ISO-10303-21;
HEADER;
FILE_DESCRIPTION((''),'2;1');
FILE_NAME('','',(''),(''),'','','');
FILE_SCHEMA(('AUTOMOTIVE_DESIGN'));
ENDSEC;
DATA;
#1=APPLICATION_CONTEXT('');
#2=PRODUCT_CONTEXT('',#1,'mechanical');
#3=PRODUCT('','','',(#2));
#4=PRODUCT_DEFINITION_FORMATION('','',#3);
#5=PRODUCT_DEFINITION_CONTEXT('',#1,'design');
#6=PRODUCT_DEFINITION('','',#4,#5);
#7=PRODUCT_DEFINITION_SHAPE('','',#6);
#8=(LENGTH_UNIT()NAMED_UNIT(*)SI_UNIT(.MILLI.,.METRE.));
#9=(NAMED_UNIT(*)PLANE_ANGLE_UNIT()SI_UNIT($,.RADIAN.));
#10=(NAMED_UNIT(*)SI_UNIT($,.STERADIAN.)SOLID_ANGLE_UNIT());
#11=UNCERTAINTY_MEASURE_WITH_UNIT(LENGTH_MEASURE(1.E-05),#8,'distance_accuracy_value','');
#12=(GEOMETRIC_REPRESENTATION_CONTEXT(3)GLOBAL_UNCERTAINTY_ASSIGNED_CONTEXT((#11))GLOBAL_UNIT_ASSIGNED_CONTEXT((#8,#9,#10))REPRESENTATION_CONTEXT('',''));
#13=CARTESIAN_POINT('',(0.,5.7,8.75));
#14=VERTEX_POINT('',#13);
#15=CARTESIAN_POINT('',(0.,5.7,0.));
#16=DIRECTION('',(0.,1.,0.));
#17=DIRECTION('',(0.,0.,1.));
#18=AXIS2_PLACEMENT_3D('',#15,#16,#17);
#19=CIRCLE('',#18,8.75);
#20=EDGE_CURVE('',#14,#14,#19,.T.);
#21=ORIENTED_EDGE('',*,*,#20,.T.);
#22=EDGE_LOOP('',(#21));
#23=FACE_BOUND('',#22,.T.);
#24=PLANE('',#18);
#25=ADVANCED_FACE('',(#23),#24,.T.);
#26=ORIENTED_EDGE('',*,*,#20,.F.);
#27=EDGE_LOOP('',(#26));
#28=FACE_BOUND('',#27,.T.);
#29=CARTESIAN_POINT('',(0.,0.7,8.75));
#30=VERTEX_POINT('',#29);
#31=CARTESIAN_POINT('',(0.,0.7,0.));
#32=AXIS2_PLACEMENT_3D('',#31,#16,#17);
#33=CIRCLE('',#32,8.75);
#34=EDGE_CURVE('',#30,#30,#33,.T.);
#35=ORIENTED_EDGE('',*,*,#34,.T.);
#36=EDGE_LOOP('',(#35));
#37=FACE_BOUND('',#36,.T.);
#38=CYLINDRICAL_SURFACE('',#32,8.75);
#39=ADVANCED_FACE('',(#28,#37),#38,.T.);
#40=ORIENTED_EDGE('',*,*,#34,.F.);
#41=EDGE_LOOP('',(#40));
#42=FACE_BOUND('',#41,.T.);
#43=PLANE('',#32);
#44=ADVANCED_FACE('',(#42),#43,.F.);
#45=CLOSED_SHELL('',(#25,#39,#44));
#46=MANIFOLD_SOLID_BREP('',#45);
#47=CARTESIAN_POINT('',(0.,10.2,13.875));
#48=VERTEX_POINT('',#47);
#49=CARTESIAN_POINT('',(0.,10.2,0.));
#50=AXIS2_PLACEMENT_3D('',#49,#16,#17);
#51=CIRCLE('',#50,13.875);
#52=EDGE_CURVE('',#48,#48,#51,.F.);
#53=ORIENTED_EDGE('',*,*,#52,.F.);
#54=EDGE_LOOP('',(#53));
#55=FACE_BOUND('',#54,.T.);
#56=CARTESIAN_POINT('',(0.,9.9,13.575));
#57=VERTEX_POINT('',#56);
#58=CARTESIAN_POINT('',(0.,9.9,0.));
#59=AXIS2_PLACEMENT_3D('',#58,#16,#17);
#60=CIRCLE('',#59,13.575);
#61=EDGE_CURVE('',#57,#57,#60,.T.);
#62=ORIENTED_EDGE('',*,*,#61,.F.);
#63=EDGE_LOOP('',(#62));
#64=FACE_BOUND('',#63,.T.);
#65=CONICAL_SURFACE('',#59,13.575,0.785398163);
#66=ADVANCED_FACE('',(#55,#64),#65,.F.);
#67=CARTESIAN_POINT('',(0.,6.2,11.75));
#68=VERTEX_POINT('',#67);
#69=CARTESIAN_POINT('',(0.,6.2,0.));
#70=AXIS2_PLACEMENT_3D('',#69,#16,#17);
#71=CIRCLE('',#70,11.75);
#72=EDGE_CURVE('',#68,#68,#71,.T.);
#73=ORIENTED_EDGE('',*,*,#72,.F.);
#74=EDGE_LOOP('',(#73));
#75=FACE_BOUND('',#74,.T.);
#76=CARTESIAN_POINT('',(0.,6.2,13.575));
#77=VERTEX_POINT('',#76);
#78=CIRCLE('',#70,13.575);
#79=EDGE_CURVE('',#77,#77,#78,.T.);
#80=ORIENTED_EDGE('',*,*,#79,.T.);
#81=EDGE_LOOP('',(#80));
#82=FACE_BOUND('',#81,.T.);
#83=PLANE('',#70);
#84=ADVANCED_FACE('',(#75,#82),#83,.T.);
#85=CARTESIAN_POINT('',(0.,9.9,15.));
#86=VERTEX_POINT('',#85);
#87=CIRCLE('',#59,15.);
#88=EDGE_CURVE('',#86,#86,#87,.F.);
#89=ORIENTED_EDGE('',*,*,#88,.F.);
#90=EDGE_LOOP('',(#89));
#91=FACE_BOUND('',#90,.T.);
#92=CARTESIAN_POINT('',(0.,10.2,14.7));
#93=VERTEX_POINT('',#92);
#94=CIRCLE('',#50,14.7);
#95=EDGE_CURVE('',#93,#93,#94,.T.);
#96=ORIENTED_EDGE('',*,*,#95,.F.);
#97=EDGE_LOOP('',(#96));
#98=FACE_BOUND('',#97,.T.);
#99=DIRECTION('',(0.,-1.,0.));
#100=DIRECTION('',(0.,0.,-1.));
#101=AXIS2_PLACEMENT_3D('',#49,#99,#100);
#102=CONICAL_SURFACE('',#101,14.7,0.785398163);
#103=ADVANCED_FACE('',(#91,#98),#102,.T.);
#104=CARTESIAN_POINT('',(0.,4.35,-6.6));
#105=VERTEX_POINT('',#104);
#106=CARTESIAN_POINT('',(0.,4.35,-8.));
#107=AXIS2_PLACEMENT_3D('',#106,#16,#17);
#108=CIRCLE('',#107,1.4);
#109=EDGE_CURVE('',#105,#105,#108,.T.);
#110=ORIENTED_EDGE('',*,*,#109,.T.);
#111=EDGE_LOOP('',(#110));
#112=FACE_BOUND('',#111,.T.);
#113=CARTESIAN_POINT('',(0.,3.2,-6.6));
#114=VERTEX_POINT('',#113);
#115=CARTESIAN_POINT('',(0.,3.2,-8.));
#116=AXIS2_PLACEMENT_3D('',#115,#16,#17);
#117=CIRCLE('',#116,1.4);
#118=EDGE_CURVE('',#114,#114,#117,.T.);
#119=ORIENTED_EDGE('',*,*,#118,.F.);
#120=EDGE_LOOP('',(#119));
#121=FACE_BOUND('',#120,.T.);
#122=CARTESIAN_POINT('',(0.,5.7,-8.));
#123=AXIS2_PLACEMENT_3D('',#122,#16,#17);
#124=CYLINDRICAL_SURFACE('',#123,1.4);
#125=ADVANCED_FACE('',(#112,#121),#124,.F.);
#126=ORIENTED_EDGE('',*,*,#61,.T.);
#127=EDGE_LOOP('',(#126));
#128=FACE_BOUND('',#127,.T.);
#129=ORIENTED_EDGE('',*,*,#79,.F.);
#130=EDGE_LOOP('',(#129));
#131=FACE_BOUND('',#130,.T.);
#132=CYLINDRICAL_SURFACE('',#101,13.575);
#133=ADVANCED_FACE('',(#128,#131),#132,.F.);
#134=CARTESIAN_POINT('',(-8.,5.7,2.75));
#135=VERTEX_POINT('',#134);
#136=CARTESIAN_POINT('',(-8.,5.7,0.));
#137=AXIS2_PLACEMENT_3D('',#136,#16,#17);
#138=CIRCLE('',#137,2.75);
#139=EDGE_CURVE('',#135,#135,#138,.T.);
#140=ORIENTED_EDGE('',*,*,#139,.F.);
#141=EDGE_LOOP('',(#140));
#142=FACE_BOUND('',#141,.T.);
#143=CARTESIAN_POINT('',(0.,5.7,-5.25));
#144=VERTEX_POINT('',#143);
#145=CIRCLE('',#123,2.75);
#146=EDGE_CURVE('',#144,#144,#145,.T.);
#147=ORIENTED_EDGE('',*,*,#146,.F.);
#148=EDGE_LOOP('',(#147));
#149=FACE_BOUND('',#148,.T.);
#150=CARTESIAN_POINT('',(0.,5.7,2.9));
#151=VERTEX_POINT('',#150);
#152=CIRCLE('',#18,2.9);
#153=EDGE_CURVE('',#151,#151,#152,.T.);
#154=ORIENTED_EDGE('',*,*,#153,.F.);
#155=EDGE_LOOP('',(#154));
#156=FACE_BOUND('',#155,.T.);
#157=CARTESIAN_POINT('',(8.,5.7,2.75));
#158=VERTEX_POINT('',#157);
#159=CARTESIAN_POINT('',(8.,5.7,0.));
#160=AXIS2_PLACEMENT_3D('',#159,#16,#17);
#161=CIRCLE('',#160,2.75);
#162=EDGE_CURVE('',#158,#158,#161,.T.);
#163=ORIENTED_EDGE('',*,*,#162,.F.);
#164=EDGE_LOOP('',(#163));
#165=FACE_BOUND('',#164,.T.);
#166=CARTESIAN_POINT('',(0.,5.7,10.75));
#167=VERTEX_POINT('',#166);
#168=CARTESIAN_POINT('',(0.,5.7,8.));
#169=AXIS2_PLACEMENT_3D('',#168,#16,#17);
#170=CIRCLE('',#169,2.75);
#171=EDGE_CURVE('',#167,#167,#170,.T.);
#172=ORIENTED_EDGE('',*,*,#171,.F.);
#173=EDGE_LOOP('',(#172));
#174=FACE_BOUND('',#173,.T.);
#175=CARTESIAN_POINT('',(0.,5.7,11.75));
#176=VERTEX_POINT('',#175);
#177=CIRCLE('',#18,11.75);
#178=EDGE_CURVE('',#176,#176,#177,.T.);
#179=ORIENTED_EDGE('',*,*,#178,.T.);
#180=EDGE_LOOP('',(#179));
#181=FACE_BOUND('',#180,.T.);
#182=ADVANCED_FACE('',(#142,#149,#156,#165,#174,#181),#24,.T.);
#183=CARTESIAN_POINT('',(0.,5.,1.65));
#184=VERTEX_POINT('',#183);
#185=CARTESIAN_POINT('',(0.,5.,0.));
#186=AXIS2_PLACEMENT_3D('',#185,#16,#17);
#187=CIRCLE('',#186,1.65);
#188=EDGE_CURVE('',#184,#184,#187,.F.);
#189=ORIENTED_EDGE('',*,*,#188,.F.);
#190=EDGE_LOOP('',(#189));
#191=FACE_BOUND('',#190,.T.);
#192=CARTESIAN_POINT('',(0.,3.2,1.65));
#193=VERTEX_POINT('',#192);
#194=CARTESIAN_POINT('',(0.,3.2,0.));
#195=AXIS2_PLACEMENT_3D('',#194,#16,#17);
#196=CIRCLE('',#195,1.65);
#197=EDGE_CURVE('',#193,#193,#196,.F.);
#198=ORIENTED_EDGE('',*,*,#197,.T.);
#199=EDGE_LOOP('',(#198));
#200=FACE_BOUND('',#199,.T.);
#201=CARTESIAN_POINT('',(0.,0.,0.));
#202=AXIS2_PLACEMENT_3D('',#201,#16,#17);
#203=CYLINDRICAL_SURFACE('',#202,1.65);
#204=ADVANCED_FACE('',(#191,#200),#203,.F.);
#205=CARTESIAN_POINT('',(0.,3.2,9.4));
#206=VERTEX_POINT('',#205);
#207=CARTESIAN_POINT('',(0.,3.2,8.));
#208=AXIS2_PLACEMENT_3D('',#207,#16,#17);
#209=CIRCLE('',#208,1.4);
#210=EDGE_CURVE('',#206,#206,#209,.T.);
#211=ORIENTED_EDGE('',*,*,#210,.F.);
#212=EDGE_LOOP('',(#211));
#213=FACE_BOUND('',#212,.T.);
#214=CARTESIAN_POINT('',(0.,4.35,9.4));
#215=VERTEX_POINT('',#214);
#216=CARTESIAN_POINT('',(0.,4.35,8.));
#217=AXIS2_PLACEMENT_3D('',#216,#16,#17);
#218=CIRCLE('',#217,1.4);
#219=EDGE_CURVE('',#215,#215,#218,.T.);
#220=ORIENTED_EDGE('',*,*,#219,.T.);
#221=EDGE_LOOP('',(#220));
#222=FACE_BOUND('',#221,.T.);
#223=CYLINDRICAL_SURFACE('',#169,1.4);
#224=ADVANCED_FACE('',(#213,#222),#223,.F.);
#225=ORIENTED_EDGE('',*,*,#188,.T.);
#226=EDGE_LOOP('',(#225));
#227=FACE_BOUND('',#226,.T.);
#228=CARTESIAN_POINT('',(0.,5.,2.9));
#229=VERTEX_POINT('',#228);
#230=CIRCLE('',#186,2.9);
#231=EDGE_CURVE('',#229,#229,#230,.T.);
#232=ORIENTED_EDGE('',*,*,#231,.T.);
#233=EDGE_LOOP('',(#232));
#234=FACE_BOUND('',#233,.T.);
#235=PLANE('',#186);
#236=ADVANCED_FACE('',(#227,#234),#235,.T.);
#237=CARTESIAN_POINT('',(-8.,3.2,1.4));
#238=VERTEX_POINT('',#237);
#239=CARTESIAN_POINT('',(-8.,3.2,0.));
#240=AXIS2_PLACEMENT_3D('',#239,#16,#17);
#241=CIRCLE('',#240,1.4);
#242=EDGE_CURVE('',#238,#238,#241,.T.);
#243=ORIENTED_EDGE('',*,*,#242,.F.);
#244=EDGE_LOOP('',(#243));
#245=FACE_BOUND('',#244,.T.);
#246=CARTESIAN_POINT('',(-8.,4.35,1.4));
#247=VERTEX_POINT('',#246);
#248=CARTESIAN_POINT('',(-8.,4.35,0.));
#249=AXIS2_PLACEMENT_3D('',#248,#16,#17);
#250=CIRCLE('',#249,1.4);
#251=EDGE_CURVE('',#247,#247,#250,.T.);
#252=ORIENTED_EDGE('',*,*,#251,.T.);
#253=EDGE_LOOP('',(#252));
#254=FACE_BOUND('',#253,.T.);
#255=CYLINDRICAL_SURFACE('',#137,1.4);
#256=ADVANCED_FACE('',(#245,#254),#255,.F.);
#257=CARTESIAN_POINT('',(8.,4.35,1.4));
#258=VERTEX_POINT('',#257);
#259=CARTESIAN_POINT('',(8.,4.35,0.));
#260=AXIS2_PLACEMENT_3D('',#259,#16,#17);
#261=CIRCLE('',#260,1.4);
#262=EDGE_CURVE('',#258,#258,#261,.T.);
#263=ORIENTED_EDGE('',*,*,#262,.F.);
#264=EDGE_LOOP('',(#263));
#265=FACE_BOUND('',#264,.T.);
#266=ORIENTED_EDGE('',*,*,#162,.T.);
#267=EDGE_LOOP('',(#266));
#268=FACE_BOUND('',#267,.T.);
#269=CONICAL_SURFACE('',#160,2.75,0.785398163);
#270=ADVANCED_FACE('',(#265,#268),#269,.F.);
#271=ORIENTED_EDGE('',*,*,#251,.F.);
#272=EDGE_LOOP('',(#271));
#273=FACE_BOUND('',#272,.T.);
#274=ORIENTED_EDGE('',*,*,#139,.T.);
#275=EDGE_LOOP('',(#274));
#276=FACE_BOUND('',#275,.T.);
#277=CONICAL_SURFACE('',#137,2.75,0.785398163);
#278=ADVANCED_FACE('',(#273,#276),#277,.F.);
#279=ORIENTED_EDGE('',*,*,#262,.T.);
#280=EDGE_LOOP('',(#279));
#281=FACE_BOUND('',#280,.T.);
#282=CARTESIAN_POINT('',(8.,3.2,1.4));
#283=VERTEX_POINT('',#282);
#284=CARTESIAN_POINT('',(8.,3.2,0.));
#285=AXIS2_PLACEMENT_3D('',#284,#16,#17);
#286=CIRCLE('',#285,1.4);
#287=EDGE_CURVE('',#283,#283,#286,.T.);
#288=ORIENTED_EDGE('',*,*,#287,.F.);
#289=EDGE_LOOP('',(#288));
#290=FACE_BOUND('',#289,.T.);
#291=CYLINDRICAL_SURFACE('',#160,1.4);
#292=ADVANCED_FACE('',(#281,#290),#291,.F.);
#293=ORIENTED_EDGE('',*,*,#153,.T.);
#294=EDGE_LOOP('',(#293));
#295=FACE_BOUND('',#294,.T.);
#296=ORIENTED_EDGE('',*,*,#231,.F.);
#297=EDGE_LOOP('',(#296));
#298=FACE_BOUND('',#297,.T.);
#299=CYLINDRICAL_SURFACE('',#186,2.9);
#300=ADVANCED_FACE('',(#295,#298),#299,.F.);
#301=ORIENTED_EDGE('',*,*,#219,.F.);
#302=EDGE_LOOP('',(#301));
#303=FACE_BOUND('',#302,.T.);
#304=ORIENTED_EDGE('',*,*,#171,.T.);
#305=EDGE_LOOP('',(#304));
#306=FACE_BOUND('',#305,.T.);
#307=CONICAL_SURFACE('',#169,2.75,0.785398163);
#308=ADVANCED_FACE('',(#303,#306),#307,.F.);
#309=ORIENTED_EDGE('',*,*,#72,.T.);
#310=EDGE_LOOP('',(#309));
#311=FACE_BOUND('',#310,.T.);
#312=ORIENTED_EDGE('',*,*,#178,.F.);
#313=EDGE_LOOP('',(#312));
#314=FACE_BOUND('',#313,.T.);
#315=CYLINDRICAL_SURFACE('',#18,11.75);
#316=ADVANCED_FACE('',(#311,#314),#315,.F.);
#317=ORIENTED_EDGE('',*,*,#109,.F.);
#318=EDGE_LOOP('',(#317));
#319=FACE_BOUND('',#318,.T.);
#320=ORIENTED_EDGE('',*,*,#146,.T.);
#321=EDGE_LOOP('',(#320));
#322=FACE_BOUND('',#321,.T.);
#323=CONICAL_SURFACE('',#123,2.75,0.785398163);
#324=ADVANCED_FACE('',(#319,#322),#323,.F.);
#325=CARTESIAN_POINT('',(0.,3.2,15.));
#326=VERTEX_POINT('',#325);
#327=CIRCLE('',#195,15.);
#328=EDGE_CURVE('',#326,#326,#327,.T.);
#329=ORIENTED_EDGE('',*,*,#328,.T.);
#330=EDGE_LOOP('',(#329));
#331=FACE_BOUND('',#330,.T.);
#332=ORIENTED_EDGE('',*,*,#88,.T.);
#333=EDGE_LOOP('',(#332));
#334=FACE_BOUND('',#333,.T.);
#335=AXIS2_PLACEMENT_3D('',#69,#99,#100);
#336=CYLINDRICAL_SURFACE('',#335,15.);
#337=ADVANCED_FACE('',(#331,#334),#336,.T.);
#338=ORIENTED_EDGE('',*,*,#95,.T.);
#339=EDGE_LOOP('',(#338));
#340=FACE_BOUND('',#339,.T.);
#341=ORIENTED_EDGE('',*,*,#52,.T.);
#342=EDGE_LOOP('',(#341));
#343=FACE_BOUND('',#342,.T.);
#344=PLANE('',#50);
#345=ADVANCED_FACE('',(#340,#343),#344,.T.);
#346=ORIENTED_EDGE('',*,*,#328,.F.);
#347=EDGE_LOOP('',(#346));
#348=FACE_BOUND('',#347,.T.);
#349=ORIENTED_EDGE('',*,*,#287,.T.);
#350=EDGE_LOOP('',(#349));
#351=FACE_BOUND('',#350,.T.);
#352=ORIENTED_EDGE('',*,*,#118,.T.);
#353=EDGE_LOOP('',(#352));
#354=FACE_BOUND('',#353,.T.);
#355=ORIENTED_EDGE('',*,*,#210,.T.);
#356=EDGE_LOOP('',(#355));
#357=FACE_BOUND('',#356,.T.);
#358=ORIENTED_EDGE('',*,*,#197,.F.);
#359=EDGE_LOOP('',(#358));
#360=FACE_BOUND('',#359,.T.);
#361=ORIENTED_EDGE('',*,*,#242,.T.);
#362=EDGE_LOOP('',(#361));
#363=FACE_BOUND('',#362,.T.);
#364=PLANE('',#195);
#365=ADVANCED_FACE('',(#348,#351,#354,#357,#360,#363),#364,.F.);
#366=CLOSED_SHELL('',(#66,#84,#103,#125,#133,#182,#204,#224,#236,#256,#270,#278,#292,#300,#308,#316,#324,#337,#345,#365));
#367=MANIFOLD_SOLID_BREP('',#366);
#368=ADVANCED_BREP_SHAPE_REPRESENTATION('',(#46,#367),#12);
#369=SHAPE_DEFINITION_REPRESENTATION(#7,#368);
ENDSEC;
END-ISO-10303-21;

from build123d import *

# Parameters (mm, degrees)
SKETCH1_R                                      = 15
BOSS_EXTRUDE1_DEPTH                            = 6.2
SKETCH2_R                                      = 11.75
CUT_EXTRUDE1_DEPTH                             = 0.5
SKETCH3_R                                      = 15
SKETCH3_R_2                                    = 13.575
BOSS_EXTRUDE2_DEPTH                            = 4
SKETCH4_R                                      = 1.65
CUT_EXTRUDE2_DEPTH                             = 22.96565501
SKETCH6_R                                      = 16.5
SKETCH6_R_2                                    = 1.65
BOSS_EXTRUDE3_DEPTH                            = 1
SKETCH18_R                                     = 2.9
CUT_EXTRUDE10_DEPTH                            = 0.7
CHAMFER2_SIZE                                  = 0.3
SKETCH23_R                                     = 8.75
BOSS_EXTRUDE5_DEPTH                            = 5
SKETCH27_R                                     = 16.5
CUT_EXTRUDE16_DEPTH                            = 10
SKETCH28_R                                     = 1.25
CUT_EXTRUDE17_DEPTH                            = 10
CSK_FOR_M2_5_FLAT_HEAD_MACHINE_SCREW1_AT_COUNT = 2
CSK_FOR_M2_5_FLAT_HEAD_MACHINE_SCREW1_AT_PITCH = 11.313708499
CSK_FOR_M2_5_FLAT_HEAD_MACHINE_SCREW_2_COUNT   = 2
CSK_FOR_M2_5_FLAT_HEAD_MACHINE_SCREW_2_PITCH   = 11.313708499
CSK_FOR_M2_5_FLAT_HEAD_MACHINE_SCREW_3_COUNT   = 2
CSK_FOR_M2_5_FLAT_HEAD_MACHINE_SCREW_3_PITCH   = 16


with BuildPart() as part:
    # Sketch1 → Boss-Extrude1 (new body)
    with BuildSketch(Plane(origin=(0, 0, 0), x_dir=(1, 0, 0), z_dir=(0, 1, 0))):
        Circle(SKETCH1_R)
    extrude(amount=BOSS_EXTRUDE1_DEPTH)

    # Sketch2 → Cut-Extrude1 (cut)
    with BuildSketch(Plane(origin=(0, 6.2, 0), x_dir=(1, 0, 0), z_dir=(0, 1, 0))):
        Circle(SKETCH2_R)
    extrude(amount=-CUT_EXTRUDE1_DEPTH, mode=Mode.SUBTRACT)

    # Sketch3 → Boss-Extrude2 (add)
    with BuildSketch(Plane(origin=(0, 6.2, 0), x_dir=(1, 0, 0), z_dir=(0, 1, 0))):
        Circle(SKETCH3_R)
        Circle(SKETCH3_R_2, mode=Mode.SUBTRACT)
    extrude(amount=BOSS_EXTRUDE2_DEPTH)

    # Sketch4 → Cut-Extrude2 (cut, through all)
    with BuildSketch(Plane(origin=(0, 5.7, 0), x_dir=(1, 0, 0), z_dir=(0, 1, 0))):
        Circle(SKETCH4_R)
    extrude(amount=-CUT_EXTRUDE2_DEPTH, mode=Mode.SUBTRACT)

    # Sketch6 → Boss-Extrude3 (add)
    with BuildSketch(Plane.XZ):
        Circle(SKETCH6_R)
        Circle(SKETCH6_R_2, mode=Mode.SUBTRACT)
    extrude(amount=BOSS_EXTRUDE3_DEPTH)

    # Sketch18 → Cut-Extrude10 (cut)
    with BuildSketch(Plane(origin=(0, 5.7, 0), x_dir=(1, 0, 0), z_dir=(0, 1, 0))):
        Circle(SKETCH18_R)
    extrude(amount=-CUT_EXTRUDE10_DEPTH, mode=Mode.SUBTRACT)

    # Chamfer2
    chamfer2_edges = [part.edges().sort_by_distance(p)[0] for p in [
        (-13.575, 10.2, 0),
        (-15, 10.2, 0),
    ]]
    chamfer(chamfer2_edges, length=CHAMFER2_SIZE)

    # Sketch27 → Cut-Extrude16 (cut)
    with BuildSketch(Plane(origin=(0, 3.2, 0), x_dir=(1, 0, 0), z_dir=(0, 1, 0))):
        Circle(SKETCH27_R)
    extrude(amount=-CUT_EXTRUDE16_DEPTH, mode=Mode.SUBTRACT)

    # Sketch28 → Cut-Extrude17 (cut)
    with BuildSketch(Plane(origin=(0, 5.7, 0), x_dir=(1, 0, 0), z_dir=(0, 1, 0))):
        with Locations((0, 8)):
            Circle(SKETCH28_R)
        with Locations((8, 0)):
            Circle(SKETCH28_R)
        with Locations((0, -8)):
            Circle(SKETCH28_R)
        with Locations((-8, 0)):
            Circle(SKETCH28_R)
    extrude(amount=-CUT_EXTRUDE17_DEPTH, mode=Mode.SUBTRACT)

    # Sketch30 → CSK for M2.5 Flat Head Machine Screw1 (revolve, cut)
    with BuildSketch(Plane(origin=(0, 5.7, -8), x_dir=(0, 0, 1), z_dir=(1, 0, 0))):
        Polygon((0, 0), (0, 5.841204867), (1.4, 5), (1.4, 1.35), (2.75, 0), align=None)
    csk_for_m2_5_flat_head_machine_screw1 = revolve(axis=Axis((0, 12.05, -8), (0, -1, 0)), mode=Mode.SUBTRACT)

    # CSK for M2.5 Flat Head Machine Screw1 at: CSK for M2.5 Flat Head Machine Screw1 ×2
    with Locations(*[Vector(-0.7071067811865276, 0, 0.7071067811865676) * (i * CSK_FOR_M2_5_FLAT_HEAD_MACHINE_SCREW1_AT_PITCH) for i in range(1, CSK_FOR_M2_5_FLAT_HEAD_MACHINE_SCREW1_AT_COUNT)]):
        add(csk_for_m2_5_flat_head_machine_screw1, mode=Mode.SUBTRACT)

    # CSK for M2.5 Flat Head Machine Screw 2: CSK for M2.5 Flat Head Machine Screw1 ×2
    with Locations(*[Vector(0.7071067811865676, 0, 0.7071067811865276) * (i * CSK_FOR_M2_5_FLAT_HEAD_MACHINE_SCREW_2_PITCH) for i in range(1, CSK_FOR_M2_5_FLAT_HEAD_MACHINE_SCREW_2_COUNT)]):
        add(csk_for_m2_5_flat_head_machine_screw1, mode=Mode.SUBTRACT)

    # CSK for M2.5 Flat Head Machine Screw 3: CSK for M2.5 Flat Head Machine Screw1 ×2
    with Locations(*[(0, 0, i * CSK_FOR_M2_5_FLAT_HEAD_MACHINE_SCREW_3_PITCH) for i in range(1, CSK_FOR_M2_5_FLAT_HEAD_MACHINE_SCREW_3_COUNT)]):
        add(csk_for_m2_5_flat_head_machine_screw1, mode=Mode.SUBTRACT)


with BuildPart() as body_2:
    # Sketch23 → Boss-Extrude5 (new body)
    with BuildSketch(Plane(origin=(0, 5.7, 0), x_dir=(1, 0, 0), z_dir=(0, 1, 0))):
        Circle(SKETCH23_R)
    extrude(amount=-BOSS_EXTRUDE5_DEPTH)


solid = Compound([part.part, body_2.part])
